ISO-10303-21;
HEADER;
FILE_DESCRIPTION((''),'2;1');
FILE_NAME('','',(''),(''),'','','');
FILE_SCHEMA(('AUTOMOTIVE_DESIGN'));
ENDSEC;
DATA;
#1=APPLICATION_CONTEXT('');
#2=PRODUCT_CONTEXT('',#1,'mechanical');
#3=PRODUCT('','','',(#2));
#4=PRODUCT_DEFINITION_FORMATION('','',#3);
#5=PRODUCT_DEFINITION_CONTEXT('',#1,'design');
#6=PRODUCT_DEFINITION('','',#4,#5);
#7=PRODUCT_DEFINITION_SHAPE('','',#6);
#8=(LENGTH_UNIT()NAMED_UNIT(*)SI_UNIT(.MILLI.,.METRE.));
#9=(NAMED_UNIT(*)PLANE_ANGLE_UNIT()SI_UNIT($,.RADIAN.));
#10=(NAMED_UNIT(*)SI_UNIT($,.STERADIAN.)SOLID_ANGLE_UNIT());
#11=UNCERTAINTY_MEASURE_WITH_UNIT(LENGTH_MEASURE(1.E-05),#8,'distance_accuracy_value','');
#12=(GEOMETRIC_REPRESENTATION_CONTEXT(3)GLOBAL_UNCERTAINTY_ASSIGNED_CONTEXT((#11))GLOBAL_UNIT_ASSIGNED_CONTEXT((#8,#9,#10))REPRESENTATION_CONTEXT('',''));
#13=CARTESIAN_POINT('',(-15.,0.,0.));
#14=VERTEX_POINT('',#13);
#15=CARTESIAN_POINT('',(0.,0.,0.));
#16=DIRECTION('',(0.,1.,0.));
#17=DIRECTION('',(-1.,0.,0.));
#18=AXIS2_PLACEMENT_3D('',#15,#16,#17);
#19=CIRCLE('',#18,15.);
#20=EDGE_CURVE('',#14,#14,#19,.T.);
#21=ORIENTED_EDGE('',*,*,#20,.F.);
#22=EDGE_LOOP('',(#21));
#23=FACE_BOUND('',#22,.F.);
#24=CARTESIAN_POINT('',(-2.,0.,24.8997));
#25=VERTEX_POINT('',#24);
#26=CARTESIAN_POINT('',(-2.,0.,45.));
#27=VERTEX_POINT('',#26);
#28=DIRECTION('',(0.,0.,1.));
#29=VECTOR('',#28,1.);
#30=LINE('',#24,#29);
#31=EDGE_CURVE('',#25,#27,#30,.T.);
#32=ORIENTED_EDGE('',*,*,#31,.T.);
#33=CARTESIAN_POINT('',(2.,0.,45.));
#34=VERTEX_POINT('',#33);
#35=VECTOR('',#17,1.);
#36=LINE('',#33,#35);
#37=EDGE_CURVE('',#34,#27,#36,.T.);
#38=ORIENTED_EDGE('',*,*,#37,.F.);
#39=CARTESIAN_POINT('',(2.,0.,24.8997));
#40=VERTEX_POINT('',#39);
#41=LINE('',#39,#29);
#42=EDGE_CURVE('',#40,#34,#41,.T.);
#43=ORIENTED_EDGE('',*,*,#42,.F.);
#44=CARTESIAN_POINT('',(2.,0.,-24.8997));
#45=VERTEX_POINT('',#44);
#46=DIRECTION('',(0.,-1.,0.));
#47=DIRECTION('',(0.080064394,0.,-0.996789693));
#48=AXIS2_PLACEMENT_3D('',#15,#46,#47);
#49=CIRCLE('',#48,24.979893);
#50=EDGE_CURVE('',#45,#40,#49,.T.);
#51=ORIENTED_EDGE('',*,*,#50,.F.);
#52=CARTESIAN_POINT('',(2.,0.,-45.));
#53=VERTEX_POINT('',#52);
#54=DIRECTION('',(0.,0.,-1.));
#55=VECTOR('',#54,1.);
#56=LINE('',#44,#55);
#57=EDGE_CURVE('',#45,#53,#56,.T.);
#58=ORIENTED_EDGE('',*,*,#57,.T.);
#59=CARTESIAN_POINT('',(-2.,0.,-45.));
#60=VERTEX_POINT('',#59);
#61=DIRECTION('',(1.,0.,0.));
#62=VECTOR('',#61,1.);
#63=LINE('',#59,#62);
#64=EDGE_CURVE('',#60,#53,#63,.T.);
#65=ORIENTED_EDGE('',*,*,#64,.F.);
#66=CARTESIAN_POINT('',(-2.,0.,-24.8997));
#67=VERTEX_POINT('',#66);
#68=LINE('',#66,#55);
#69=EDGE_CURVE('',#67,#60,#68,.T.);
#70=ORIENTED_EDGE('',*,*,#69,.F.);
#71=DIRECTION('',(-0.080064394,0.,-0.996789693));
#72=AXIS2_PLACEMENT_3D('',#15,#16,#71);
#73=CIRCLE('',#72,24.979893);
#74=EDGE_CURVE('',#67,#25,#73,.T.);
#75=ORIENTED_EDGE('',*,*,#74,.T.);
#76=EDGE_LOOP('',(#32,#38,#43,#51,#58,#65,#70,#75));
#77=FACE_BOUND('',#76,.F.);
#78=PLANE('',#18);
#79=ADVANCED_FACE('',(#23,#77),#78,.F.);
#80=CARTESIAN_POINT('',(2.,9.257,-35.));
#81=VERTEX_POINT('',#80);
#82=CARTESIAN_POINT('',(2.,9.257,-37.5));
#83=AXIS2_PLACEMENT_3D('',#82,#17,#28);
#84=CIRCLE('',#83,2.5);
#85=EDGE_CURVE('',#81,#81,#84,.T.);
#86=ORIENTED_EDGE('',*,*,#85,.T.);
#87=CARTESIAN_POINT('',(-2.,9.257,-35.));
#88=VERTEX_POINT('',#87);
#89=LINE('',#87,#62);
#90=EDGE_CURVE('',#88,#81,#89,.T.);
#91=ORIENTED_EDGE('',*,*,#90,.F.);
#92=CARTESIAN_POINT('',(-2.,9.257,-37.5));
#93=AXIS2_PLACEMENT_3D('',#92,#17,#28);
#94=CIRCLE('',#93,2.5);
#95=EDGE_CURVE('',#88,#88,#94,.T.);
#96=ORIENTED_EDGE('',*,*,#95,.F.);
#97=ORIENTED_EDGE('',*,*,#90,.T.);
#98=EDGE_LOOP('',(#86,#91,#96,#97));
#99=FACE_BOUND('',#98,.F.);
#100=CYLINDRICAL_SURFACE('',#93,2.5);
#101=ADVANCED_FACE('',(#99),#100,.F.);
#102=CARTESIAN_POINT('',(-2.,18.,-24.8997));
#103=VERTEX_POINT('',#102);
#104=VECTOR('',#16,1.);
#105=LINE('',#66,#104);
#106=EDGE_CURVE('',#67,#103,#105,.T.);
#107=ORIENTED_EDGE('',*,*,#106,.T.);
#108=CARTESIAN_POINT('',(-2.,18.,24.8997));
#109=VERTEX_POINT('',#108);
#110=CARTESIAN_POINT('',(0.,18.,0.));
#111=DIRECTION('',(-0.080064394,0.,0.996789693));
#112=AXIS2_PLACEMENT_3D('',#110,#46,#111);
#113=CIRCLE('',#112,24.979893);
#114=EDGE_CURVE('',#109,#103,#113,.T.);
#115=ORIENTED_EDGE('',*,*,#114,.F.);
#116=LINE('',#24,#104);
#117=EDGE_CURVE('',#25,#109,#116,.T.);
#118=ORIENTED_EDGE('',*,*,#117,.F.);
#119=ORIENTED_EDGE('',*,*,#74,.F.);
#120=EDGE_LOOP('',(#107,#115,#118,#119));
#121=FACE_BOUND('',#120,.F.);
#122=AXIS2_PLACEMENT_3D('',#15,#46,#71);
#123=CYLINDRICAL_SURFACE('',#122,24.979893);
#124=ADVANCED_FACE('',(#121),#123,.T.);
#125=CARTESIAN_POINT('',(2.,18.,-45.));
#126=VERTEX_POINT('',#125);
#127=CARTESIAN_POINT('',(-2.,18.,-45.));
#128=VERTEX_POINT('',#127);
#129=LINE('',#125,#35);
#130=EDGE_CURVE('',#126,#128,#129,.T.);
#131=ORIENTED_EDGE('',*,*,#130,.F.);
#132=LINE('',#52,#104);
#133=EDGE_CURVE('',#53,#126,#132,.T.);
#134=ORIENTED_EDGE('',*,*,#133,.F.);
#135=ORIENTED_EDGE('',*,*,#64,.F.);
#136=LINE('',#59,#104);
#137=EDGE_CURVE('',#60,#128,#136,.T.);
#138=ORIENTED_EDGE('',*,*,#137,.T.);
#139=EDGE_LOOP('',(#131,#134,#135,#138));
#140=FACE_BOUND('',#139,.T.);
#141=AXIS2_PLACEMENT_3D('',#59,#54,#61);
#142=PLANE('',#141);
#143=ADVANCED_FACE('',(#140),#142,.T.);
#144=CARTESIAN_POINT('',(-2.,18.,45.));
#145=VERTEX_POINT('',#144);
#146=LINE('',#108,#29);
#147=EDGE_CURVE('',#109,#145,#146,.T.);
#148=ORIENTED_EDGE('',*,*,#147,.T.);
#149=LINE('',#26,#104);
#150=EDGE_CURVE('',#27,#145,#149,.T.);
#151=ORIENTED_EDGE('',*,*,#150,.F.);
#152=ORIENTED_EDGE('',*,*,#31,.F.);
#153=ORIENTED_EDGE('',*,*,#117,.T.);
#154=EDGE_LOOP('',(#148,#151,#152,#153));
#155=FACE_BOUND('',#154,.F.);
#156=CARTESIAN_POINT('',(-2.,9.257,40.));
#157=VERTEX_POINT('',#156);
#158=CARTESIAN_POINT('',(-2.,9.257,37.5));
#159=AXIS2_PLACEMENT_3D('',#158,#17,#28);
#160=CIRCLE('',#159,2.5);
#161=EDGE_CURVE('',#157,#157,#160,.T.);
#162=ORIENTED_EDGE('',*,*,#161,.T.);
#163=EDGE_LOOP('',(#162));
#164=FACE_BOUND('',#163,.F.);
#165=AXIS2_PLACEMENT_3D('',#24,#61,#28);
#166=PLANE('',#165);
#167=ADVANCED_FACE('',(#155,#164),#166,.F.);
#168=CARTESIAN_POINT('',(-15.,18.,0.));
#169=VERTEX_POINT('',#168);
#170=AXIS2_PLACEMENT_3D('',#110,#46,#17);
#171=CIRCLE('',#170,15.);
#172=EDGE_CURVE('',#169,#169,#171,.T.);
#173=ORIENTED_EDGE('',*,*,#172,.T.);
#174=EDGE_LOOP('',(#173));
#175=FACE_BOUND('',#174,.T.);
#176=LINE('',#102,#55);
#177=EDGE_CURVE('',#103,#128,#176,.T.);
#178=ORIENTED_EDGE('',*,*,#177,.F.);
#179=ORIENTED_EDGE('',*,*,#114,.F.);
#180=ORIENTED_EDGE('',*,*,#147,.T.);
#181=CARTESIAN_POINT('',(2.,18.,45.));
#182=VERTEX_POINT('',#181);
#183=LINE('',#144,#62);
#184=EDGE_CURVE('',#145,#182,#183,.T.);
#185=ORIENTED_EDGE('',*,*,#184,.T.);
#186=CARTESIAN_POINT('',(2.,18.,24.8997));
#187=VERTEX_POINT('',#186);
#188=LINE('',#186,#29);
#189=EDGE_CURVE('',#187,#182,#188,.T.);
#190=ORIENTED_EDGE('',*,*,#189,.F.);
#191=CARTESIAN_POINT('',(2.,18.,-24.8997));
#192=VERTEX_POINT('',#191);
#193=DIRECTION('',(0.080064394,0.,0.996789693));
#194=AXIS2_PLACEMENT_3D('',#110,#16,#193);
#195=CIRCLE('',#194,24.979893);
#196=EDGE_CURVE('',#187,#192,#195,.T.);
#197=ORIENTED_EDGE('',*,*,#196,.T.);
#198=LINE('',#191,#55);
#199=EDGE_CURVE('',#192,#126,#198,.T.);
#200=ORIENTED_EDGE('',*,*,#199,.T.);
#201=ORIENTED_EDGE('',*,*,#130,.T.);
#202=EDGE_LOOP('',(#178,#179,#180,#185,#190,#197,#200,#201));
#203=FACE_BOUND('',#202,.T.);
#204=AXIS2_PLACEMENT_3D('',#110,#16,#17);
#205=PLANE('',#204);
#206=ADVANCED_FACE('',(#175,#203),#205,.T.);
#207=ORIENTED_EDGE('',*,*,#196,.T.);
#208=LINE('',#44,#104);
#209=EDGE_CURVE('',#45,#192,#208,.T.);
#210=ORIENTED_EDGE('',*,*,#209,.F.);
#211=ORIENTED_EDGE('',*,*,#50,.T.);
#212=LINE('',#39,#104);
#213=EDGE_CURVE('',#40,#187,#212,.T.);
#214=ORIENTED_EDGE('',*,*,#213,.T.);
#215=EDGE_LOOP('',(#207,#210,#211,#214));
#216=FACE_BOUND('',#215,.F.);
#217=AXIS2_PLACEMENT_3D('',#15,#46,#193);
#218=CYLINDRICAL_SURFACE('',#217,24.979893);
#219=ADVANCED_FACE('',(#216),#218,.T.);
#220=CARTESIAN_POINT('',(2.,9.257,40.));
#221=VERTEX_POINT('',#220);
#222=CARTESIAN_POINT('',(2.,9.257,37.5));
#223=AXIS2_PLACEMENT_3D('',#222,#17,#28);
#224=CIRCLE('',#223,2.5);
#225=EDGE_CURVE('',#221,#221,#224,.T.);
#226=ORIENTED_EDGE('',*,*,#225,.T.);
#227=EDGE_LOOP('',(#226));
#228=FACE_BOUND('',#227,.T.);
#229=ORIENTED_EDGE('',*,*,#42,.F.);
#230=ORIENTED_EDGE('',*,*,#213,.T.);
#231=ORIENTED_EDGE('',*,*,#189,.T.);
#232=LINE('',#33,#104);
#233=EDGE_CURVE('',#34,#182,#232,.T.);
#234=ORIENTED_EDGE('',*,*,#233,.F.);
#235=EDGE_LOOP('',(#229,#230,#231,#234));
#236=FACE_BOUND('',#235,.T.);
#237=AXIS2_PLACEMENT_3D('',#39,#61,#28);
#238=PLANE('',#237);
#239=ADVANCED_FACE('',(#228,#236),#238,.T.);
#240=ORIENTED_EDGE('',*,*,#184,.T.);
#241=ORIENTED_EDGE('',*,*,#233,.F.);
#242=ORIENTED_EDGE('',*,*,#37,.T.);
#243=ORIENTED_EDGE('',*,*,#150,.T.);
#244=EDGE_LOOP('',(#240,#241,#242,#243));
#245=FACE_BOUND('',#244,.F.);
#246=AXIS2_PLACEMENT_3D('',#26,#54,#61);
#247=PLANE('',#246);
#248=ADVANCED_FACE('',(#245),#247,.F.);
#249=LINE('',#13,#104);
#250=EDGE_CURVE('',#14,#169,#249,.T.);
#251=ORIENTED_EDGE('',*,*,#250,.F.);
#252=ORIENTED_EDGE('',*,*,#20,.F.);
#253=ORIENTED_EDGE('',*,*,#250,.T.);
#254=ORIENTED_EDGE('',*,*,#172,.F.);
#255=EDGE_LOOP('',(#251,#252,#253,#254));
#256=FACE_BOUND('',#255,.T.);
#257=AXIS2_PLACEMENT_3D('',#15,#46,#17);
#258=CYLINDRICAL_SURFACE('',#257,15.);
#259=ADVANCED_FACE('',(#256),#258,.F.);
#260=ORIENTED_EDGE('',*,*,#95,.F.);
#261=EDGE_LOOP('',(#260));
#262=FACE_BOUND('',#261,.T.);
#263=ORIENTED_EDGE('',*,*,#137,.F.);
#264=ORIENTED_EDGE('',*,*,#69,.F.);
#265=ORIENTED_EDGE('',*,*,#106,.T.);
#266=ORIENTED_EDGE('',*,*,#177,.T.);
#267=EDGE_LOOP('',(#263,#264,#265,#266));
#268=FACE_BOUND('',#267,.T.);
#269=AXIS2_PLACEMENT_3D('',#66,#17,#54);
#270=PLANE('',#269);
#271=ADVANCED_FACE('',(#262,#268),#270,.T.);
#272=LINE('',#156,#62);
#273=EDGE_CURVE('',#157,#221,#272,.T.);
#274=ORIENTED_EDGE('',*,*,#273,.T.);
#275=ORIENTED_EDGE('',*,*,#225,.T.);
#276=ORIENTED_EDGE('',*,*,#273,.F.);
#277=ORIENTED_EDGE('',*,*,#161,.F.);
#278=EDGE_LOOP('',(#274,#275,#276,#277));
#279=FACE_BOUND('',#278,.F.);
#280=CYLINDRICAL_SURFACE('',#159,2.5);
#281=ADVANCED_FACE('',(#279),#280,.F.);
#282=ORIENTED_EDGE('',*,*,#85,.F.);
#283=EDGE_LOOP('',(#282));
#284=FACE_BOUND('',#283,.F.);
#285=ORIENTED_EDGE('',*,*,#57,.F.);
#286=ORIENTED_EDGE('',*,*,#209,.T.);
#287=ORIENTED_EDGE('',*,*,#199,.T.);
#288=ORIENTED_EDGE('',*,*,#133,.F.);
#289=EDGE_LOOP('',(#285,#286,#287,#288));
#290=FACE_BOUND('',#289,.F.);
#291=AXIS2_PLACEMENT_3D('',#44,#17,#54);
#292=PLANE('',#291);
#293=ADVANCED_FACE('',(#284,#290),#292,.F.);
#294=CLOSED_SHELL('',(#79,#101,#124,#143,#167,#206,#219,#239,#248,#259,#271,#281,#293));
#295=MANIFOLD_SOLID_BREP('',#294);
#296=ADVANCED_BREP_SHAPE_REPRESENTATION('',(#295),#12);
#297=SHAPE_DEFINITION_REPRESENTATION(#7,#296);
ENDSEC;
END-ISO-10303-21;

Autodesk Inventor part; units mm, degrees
ref_plane "YZ Plane" through (0, 0, 0) normal (1, 0, 0) x (0, 1, 0)
ref_plane "XZ Plane" through (0, 0, 0) normal (0, 1, 0) x (-1, 0, 0)
ref_plane "XY Plane" through (0, 0, 0) normal (0, 0, 1) x (1, 0, 0)
sketch "Sketch4" plane through (0, 0, 0) normal (0, 1, 0) x (-1, 0, 0)
  line L0 (34.9719, 0) -> (-34.9719, 0) projected
  line L1 (0, -63) -> (0, 63) projected
  line L2 (0, -63) -> (0, 63) projected
  circle A0 centre (0, 0) radius 15
  line L3 (2, 24.8997) -> (2, 45)
  line L4 (2, 45) -> (0, 45)
  line L5 (2, -24.8997) -> (2, -45)
  line L6 (2, -45) -> (0, -45)
  line L7 (-2, 24.8997) -> (-2, 45)
  line L8 (-2, 45) -> (0, 45)
  line L9 (-2, -24.8997) -> (-2, -45)
  line L10 (-2, -45) -> (0, -45)
  arc A1 (-2, 24.8997) -> (-2, -24.8997) centre (0, 0) ccw
  arc A2 (2, -24.8997) -> (2, 24.8997) centre (0, 0) ccw
  dimension "d42" = 30
  dimension "d44" = 2
  dimension "d45" = 45
extrude "Extrusion6" add sketch "Sketch4" along normal blind 18 contours A2 L5 L6 L1 A0 L0 | L0 A0 L1 L4 L3 A2 | A0 L0 A1 L7 L8 L1 | L1 L10 L9 A1 L0 A0
sketch "Sketch5" plane through (-2, 0, -45) normal (-1, 0, 0) x (0, 0, 1)
  circle A0 centre (82.5, 9.257) radius 2.5
  circle A1 centre (7.5, 9.257) radius 2.5
  line L0 (0, 0) -> (0, 18) projected
  line L1 (45, -3.6) -> (45, 21.6) projected
  line L2 (-18, 0) -> (108, 0) projected
  point P0 (45, 0)
  dimension "d48" = 5
  dimension "d49" = 5
  dimension "d50" = 75
  dimension "d52" = 37.5
extrude "Extrusion7" cut sketch "Sketch5" against normal through all
properties part number "torchHolder"
